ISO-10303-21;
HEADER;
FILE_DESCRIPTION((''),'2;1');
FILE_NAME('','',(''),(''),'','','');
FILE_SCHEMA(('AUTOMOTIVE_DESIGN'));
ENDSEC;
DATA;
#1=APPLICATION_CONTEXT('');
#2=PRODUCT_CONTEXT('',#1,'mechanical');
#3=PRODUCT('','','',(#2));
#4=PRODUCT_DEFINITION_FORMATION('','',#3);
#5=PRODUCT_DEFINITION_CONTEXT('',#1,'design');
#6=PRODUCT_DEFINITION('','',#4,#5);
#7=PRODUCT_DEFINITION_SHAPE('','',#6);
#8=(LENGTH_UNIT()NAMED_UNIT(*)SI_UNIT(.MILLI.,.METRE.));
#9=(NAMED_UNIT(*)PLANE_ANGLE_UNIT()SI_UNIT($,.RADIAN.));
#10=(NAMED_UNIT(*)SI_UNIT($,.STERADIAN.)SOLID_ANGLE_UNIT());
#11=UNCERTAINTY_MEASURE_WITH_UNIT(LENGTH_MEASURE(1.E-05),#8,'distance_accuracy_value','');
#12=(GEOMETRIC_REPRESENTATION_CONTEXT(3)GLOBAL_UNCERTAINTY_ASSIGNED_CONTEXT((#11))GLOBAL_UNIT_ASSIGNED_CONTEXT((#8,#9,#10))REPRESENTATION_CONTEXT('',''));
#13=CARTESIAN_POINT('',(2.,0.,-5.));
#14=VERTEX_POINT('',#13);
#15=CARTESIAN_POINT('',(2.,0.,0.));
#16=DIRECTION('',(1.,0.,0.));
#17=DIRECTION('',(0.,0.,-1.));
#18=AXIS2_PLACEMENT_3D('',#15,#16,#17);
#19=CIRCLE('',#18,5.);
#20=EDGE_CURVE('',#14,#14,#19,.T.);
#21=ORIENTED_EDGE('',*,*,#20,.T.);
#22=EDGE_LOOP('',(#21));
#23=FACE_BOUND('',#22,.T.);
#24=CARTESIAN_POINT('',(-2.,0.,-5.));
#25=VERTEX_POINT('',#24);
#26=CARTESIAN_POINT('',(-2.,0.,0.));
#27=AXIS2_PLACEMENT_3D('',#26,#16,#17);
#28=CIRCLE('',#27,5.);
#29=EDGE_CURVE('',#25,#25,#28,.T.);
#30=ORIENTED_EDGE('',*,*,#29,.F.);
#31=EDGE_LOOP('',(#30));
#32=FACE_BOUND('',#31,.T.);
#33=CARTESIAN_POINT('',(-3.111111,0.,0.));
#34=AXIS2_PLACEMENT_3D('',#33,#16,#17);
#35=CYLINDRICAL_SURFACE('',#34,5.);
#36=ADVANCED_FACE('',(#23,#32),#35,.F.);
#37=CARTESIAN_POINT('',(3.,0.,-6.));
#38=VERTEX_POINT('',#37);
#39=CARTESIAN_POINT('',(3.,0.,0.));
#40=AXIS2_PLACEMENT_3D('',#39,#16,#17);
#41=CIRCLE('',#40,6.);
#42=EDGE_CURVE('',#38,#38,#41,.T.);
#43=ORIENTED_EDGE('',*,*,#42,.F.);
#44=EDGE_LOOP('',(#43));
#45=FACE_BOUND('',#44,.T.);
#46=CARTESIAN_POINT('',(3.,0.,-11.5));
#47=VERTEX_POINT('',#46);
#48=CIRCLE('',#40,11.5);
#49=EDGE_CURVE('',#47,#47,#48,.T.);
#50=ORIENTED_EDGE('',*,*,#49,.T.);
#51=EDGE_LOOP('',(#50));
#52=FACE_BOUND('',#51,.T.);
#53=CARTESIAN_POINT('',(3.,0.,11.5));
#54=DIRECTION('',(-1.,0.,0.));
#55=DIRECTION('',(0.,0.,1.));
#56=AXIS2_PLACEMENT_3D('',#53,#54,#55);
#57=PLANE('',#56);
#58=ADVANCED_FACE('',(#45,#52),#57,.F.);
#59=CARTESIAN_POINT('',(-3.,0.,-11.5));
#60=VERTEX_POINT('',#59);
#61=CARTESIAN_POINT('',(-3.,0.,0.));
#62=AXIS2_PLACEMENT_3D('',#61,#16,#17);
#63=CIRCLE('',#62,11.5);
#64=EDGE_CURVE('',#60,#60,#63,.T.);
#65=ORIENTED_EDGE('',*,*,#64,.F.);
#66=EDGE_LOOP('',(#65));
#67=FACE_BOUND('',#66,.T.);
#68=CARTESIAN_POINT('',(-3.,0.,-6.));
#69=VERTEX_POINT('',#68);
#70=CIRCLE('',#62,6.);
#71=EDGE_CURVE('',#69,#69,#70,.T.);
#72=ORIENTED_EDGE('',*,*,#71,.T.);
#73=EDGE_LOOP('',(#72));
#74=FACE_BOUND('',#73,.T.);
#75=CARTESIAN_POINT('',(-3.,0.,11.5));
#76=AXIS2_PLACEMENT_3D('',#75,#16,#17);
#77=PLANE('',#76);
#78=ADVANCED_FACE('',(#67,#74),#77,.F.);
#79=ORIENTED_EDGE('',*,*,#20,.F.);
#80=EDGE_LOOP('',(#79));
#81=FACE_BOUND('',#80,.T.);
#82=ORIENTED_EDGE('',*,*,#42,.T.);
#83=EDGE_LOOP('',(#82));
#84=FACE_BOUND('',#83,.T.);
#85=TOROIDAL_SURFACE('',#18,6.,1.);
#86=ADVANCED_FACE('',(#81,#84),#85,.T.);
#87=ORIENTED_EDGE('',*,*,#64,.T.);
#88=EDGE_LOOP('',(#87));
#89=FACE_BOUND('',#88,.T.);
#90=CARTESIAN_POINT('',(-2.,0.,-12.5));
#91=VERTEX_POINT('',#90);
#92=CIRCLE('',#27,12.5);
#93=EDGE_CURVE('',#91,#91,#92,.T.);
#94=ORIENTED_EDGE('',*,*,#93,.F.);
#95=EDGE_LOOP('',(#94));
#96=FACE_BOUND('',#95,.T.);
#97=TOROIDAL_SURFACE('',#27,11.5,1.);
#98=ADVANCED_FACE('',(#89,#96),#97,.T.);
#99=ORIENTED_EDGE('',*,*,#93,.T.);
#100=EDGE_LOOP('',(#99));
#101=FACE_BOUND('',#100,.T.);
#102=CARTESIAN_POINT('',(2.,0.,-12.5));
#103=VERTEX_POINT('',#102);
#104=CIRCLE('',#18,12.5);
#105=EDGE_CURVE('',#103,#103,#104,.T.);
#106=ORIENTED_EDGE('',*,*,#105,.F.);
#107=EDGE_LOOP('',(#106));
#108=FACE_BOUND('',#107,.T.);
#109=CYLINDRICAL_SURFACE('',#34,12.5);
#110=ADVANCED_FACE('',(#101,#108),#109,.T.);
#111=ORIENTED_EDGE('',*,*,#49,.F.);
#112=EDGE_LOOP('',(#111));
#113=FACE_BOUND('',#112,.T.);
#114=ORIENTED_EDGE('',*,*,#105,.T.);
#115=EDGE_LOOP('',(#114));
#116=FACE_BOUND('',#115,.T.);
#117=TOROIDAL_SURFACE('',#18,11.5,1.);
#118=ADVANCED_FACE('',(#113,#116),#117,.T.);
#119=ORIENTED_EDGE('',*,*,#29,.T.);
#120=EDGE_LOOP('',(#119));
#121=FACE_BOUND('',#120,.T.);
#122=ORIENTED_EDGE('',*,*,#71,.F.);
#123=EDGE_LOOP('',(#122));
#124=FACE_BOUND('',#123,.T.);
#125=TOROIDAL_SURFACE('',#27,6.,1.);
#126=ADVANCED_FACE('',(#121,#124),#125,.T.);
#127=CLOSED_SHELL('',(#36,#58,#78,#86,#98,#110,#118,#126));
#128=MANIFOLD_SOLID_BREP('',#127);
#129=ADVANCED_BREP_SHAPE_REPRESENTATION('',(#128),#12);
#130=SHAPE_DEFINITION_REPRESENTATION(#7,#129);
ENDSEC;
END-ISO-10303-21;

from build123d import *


with BuildPart() as part:
    # Sketch1 → Revolve1 (revolve)
    with BuildSketch(Plane(origin=(0, 0, 0), x_dir=(-1, 0, 0), z_dir=(0, 1, 0)), mode=Mode.PRIVATE) as revolve1_sk:
        with BuildLine():
            Line((2, 12.5), (-2, 12.5))
            ThreePointArc((-2, 12.5), (-2.707106781, 12.207106781), (-3, 11.5))
            Line((-3, 11.5), (-3, 6))
            ThreePointArc((-3, 6), (-2.707106781, 5.292893219), (-2, 5))
            Line((-2, 5), (2, 5))
            ThreePointArc((2, 5), (2.707106781, 5.292893219), (3, 6))
            Line((3, 6), (3, 11.5))
            ThreePointArc((3, 11.5), (2.707106781, 12.207106781), (2, 12.5))
        make_face()
    revolve(revolve1_sk.sketch.rotate(Axis((-3.111111111, 0, 0), (-1, 0, 0)), 180), axis=Axis((-3.111111111, 0, 0), (-1, 0, 0)))


solid = part.part
